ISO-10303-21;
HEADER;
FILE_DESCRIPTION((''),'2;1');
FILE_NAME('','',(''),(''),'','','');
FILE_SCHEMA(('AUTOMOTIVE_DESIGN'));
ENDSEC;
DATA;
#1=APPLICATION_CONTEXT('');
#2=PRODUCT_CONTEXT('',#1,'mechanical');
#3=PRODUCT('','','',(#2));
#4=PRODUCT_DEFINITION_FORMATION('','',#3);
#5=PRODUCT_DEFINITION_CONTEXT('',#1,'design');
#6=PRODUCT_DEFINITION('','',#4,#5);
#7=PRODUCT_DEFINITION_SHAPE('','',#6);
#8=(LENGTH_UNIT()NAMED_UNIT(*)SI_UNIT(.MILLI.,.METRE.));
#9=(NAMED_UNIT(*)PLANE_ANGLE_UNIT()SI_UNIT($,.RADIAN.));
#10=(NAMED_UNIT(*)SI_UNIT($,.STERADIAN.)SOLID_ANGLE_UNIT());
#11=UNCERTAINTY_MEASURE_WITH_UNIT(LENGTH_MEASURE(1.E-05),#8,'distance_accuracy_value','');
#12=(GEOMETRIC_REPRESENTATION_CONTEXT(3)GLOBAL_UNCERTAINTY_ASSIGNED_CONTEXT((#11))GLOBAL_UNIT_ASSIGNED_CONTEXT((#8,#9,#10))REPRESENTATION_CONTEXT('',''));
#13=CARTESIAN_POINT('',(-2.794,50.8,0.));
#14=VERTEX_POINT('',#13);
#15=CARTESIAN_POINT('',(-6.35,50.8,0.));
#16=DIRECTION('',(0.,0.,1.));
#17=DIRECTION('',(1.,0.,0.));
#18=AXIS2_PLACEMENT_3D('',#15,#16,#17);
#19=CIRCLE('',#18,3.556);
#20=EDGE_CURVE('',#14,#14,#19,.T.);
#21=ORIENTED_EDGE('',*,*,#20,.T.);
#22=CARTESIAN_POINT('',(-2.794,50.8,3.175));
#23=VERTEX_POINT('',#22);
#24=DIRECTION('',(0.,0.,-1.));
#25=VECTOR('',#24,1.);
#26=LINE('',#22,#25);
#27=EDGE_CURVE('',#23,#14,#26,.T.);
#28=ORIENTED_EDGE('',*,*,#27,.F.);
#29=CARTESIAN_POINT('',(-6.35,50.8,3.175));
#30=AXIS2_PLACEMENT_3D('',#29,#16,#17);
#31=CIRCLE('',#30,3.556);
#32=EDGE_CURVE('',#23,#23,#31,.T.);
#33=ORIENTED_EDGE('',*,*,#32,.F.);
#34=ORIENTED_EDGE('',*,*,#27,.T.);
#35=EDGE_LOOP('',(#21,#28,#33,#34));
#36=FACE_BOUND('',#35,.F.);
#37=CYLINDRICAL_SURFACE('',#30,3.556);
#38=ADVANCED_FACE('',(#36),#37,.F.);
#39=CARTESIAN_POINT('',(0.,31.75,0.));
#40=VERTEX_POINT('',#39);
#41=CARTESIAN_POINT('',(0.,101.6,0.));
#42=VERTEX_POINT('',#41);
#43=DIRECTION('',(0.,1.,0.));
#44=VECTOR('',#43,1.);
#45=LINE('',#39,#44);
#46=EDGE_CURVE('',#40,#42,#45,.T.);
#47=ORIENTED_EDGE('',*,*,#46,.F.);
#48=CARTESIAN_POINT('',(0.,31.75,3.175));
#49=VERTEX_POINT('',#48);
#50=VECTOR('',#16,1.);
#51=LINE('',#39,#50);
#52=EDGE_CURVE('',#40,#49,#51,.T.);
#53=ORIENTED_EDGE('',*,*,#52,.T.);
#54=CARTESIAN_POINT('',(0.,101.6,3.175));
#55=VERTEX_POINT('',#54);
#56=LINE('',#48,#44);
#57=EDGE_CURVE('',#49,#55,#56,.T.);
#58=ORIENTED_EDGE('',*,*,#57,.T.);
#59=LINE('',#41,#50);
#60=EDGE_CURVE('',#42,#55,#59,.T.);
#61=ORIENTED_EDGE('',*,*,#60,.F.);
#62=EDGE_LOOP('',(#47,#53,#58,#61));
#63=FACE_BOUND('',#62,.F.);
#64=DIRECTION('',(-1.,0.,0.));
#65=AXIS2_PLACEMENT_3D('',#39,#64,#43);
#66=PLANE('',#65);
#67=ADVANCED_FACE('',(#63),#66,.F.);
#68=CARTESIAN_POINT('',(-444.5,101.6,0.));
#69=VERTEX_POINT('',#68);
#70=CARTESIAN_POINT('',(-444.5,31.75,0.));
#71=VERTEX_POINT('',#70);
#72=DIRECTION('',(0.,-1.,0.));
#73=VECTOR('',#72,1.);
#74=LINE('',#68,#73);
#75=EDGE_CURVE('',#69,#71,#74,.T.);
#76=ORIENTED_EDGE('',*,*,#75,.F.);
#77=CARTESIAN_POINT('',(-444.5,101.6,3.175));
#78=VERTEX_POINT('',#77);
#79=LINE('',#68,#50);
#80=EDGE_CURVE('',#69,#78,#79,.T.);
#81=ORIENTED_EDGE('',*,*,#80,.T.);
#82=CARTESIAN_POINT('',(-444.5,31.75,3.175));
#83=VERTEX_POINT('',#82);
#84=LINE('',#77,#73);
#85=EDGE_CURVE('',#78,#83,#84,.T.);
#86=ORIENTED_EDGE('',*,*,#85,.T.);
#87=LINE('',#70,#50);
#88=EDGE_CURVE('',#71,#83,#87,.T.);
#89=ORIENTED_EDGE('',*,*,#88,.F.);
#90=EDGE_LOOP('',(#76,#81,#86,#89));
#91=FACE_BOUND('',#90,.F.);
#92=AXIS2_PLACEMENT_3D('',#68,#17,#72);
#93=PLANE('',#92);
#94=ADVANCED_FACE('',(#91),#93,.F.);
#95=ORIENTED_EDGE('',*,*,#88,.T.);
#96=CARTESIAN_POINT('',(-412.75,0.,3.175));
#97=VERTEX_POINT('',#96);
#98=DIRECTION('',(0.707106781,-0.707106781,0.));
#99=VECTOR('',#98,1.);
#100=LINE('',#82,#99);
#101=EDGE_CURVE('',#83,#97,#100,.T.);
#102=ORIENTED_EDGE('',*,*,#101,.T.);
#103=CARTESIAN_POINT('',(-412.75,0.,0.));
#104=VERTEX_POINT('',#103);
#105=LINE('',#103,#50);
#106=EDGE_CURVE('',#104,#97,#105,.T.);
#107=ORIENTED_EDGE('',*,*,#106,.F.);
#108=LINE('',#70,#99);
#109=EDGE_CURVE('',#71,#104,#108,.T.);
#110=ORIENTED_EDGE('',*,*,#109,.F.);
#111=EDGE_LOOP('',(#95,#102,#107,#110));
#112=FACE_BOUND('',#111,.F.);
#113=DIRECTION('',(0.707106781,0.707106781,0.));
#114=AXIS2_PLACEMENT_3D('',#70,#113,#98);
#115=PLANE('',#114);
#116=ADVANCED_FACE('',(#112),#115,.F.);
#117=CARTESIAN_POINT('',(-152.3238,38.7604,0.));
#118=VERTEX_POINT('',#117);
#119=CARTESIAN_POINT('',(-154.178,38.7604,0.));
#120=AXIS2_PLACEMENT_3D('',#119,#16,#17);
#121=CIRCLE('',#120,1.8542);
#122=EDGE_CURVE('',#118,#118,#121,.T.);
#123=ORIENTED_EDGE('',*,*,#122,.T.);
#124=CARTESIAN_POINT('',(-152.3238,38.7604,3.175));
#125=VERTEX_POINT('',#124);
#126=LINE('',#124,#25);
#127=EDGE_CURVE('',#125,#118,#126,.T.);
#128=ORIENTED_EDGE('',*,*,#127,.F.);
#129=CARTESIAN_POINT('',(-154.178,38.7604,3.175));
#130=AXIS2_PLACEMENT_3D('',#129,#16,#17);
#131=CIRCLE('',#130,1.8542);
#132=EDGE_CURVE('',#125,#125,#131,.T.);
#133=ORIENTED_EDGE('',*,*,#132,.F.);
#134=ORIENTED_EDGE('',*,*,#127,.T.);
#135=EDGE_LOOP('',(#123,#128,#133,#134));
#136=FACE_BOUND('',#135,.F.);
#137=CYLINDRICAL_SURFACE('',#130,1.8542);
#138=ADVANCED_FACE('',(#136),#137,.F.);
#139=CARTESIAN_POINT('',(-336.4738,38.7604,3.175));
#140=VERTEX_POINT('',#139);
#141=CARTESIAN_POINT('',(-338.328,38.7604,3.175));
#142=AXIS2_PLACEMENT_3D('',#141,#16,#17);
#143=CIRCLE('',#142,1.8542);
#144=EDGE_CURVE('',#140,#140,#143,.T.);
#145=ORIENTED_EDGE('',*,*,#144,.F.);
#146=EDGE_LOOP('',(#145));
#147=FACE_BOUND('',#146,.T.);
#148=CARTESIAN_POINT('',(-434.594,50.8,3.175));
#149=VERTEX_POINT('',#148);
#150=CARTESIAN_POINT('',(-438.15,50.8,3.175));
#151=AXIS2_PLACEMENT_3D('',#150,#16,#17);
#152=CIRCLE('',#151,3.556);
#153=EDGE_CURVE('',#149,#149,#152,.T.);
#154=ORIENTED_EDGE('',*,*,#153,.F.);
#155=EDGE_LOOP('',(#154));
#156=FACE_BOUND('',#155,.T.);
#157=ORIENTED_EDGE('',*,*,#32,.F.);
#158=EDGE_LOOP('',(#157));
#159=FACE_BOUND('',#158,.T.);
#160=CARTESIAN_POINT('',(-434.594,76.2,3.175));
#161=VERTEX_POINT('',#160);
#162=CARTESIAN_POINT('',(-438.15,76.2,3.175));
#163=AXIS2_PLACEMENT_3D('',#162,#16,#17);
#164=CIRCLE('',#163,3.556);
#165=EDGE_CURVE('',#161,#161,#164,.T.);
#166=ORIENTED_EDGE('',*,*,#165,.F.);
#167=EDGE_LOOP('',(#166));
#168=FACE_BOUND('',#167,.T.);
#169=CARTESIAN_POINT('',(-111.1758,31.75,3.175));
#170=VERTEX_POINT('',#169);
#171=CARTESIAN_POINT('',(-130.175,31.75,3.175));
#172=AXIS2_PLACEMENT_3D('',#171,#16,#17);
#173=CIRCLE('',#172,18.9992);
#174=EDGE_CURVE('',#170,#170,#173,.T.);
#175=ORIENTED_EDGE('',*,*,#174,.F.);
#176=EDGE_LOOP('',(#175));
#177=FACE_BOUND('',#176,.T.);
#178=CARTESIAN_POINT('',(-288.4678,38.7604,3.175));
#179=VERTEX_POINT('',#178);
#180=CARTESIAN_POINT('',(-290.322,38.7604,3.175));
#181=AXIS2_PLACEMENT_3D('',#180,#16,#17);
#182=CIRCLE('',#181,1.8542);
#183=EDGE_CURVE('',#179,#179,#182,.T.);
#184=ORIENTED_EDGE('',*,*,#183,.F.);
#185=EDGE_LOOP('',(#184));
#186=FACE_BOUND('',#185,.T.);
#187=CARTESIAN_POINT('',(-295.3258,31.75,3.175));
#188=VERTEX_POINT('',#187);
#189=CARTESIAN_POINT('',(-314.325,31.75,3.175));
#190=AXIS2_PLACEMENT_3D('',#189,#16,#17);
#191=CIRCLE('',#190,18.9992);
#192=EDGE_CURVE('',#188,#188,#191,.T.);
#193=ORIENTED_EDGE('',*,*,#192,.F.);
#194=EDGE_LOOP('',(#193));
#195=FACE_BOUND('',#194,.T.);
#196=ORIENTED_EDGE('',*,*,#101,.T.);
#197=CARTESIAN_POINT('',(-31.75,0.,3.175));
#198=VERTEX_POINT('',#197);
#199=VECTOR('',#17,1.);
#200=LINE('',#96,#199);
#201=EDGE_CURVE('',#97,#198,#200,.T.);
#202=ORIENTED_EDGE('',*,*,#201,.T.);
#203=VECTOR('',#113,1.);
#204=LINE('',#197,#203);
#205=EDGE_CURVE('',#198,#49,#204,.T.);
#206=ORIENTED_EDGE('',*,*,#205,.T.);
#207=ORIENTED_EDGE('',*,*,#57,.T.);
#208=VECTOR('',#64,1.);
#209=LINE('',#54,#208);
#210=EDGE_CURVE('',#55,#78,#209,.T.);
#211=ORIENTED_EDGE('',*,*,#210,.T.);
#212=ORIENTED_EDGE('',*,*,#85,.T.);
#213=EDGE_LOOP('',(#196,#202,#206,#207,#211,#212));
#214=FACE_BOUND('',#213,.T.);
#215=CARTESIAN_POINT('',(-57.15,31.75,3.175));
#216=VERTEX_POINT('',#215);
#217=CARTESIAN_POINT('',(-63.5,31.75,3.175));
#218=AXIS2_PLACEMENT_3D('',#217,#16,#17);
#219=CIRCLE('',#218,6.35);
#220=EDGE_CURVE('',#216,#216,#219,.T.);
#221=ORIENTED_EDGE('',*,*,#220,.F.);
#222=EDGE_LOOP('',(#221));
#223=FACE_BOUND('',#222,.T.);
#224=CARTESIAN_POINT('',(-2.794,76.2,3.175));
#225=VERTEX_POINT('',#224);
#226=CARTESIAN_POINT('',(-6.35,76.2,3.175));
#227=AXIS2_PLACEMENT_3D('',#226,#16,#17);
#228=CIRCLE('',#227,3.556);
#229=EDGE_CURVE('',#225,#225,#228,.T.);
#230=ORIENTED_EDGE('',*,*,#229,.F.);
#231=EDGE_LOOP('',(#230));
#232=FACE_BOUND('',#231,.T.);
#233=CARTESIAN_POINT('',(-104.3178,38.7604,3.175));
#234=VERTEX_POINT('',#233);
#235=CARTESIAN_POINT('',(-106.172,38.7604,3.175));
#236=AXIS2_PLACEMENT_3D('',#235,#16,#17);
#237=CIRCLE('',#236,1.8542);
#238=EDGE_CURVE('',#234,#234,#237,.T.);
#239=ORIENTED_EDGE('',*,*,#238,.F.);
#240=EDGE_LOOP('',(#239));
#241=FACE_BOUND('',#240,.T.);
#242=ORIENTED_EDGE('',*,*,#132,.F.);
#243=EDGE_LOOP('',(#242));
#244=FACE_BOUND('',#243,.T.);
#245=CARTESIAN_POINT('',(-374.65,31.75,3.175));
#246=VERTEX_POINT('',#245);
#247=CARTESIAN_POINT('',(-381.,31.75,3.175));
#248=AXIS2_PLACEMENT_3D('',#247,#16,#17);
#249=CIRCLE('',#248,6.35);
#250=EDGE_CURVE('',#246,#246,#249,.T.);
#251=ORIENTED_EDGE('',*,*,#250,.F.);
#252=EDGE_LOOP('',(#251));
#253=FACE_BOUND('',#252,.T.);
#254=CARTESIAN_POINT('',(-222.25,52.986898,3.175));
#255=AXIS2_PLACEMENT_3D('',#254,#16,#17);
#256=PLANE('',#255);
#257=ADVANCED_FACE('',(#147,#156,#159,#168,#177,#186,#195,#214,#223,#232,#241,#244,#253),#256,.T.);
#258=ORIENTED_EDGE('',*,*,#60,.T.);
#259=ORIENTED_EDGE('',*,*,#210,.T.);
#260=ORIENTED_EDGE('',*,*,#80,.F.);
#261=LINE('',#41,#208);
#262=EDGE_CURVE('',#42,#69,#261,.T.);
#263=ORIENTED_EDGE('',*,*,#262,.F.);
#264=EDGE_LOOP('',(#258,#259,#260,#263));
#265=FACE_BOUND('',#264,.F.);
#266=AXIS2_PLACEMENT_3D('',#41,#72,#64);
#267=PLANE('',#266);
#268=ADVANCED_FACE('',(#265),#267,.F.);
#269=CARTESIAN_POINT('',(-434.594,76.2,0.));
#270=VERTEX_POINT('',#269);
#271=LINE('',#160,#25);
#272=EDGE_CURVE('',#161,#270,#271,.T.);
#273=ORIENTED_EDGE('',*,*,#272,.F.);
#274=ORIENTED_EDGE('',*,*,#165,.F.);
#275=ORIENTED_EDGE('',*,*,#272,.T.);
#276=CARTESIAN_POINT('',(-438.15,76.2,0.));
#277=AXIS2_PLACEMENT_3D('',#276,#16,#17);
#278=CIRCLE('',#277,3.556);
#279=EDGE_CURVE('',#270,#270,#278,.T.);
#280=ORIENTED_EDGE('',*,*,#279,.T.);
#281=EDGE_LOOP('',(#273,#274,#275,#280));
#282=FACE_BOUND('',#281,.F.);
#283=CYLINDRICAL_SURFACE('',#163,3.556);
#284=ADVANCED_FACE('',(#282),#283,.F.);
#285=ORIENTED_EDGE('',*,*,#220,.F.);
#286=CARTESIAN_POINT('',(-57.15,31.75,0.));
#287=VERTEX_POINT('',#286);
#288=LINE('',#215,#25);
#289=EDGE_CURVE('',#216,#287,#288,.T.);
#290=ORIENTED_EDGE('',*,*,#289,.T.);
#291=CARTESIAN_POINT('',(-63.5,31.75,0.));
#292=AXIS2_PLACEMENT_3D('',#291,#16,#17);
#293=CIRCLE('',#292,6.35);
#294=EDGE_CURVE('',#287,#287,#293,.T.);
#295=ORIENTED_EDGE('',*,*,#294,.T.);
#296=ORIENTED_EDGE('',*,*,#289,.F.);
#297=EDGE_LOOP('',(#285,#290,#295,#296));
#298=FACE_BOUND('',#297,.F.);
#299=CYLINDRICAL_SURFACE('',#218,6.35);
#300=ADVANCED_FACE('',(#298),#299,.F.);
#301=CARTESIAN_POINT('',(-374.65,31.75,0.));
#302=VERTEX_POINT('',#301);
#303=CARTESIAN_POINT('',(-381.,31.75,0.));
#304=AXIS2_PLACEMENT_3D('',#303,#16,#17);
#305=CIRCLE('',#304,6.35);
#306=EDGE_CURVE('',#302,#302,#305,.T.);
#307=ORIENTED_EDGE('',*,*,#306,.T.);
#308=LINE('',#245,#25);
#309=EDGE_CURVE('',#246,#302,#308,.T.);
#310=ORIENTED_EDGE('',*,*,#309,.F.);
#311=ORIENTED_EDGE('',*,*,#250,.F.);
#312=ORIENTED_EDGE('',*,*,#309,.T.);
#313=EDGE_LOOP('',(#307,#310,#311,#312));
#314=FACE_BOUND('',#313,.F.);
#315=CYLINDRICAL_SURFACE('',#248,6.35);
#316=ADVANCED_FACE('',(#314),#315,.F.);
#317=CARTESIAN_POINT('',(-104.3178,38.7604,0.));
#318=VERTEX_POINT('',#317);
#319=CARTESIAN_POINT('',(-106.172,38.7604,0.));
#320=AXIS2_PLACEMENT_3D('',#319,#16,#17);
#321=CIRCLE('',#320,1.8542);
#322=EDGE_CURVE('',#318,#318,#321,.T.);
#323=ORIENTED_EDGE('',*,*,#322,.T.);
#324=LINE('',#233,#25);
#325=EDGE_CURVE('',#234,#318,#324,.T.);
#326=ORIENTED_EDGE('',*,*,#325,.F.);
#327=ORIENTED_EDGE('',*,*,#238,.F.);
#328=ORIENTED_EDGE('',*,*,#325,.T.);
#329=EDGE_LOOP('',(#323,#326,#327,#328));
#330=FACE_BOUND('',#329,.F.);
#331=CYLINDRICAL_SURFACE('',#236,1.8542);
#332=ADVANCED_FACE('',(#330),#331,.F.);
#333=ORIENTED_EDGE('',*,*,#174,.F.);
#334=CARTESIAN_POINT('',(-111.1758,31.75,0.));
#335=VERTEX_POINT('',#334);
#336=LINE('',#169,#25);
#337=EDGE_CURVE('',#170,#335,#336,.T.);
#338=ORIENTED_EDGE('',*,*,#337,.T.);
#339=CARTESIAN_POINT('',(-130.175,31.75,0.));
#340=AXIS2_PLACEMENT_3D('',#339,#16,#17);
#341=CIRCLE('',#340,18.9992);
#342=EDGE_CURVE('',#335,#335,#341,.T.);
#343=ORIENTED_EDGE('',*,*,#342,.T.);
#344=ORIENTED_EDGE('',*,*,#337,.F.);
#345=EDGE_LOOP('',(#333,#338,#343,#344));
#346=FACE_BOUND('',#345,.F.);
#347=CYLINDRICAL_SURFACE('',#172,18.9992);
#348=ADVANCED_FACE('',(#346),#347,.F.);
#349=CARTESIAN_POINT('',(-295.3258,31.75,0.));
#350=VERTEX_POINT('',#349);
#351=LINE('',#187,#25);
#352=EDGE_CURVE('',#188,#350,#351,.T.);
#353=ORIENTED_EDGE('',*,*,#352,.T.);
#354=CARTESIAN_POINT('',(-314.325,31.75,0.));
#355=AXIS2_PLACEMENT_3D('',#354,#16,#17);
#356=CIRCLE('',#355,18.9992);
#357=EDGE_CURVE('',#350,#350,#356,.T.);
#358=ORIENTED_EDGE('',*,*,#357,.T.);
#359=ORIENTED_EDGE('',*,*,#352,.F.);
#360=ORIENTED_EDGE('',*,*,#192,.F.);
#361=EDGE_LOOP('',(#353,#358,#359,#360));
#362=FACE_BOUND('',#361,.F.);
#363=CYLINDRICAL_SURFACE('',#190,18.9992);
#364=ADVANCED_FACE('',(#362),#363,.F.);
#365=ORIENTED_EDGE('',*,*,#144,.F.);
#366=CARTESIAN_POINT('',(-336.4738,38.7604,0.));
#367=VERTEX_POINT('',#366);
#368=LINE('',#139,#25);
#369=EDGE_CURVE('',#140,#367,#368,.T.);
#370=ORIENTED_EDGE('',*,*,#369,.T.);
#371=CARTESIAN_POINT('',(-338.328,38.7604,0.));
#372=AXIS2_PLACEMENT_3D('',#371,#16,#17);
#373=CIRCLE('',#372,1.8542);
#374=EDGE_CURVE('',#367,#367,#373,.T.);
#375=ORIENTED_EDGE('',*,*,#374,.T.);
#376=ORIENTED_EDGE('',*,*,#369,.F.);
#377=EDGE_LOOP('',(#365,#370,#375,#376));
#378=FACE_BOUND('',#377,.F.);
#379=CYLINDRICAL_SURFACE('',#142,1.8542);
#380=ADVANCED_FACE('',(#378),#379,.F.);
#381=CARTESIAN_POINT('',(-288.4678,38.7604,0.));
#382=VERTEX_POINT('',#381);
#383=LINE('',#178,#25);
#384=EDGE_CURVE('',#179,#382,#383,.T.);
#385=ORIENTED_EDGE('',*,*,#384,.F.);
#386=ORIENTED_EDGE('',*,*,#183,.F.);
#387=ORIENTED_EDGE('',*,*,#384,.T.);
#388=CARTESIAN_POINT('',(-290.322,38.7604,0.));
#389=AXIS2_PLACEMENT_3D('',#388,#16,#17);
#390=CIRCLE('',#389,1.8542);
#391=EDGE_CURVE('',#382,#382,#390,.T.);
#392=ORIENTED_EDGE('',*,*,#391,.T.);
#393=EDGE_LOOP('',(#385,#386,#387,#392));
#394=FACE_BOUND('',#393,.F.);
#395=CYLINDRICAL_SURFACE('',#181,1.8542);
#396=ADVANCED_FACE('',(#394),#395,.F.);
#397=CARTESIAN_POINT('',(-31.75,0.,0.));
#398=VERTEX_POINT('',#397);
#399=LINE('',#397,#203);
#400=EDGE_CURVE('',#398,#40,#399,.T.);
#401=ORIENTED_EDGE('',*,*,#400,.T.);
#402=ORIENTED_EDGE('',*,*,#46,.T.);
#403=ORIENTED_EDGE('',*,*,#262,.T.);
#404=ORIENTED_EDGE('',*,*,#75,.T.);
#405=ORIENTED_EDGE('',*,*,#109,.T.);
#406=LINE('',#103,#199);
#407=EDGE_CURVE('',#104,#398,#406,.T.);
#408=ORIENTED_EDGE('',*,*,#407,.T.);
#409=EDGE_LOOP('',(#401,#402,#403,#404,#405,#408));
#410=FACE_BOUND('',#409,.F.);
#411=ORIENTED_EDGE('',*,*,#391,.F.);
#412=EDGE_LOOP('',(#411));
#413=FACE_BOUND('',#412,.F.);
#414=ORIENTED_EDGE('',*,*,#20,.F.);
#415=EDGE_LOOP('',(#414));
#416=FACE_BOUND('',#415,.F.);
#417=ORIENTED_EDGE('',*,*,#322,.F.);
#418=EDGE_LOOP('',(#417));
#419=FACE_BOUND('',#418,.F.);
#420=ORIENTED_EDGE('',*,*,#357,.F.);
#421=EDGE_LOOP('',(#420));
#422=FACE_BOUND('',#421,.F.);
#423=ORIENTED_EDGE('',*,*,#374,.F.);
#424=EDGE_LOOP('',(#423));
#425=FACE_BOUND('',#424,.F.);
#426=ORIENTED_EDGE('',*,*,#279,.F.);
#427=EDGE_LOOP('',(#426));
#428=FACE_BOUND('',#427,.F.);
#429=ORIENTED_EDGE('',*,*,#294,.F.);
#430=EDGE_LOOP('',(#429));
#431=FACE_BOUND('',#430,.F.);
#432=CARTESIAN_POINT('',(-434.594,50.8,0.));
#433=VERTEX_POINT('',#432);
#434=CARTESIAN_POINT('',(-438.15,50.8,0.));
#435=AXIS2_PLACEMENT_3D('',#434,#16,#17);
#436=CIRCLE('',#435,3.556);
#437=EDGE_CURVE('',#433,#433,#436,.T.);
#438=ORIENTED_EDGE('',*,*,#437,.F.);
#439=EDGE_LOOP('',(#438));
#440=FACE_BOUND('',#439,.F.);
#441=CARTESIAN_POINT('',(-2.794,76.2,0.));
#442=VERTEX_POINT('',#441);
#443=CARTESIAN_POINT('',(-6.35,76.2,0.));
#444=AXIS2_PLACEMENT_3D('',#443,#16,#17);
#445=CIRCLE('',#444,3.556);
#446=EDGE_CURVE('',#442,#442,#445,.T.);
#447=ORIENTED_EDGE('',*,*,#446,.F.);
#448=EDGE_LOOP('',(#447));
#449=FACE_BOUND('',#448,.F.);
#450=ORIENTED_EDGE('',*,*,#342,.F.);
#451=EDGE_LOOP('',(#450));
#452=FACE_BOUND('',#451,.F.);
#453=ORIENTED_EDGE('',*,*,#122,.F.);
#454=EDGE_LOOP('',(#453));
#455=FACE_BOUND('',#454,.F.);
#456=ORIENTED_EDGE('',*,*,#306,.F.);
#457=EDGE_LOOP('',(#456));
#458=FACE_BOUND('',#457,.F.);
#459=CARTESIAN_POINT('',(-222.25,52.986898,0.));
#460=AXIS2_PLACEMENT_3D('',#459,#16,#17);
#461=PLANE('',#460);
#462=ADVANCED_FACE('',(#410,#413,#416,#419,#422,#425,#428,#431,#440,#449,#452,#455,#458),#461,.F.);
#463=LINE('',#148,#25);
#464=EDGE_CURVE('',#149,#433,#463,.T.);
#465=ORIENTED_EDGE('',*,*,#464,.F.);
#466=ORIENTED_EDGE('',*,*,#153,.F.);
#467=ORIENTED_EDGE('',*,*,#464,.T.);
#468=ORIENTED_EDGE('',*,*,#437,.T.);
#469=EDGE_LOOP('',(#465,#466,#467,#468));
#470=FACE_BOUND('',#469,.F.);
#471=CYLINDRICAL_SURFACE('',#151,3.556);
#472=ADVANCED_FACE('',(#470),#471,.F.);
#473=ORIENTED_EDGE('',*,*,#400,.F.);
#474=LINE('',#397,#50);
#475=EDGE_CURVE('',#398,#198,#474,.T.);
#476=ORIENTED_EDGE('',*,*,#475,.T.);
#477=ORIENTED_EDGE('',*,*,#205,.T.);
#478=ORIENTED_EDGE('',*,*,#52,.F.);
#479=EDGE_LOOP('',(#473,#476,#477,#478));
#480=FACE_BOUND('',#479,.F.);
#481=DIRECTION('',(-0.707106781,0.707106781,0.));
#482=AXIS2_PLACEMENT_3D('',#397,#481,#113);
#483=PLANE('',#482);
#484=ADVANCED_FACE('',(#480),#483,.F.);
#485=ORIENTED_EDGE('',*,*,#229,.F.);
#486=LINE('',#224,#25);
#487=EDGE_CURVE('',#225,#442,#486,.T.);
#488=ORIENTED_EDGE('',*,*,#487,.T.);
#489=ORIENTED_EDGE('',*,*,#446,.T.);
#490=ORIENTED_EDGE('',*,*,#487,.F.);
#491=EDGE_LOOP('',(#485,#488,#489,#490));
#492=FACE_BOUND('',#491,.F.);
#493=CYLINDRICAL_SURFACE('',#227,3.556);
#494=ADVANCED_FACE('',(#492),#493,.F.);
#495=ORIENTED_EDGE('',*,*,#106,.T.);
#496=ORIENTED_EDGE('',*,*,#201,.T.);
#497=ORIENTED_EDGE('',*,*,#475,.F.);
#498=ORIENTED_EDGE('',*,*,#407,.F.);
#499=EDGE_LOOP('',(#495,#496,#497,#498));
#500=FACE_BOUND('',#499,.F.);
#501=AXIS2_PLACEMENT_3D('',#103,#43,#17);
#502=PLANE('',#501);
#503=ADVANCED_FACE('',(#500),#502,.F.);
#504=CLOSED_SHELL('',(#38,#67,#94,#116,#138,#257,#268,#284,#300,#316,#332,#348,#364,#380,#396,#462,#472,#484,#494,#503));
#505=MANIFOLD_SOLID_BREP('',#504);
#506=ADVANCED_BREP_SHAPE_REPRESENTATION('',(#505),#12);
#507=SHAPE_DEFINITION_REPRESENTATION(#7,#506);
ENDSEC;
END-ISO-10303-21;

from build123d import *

# Parameters (mm, degrees)
F1_DEPTH  = 3.175
F2_R      = 3.556
F3_DEPTH  = 25.4
F4_DEPTH  = 25.4
F2_R_2    = 6.35
F5_DEPTH  = 25.4
F6_DEPTH  = 25.4
F7_DEPTH  = 25.4
F8_DEPTH  = 25.4
F9_R      = 18.9992
F9_R_2    = 1.8542
F10_DEPTH = 25.4


with BuildPart() as f1:
    # F0 (on Top) → F1 (new body)
    with BuildSketch(Plane.XY):
        Polygon((0, 31.75), (0, 101.6), (-444.5, 101.6), (-444.5, 31.75), (-412.75, 0), (-31.75, 0), align=None)
    extrude(amount=F1_DEPTH)

    # F2 (on face) → F3 (cut)
    with BuildSketch(Plane.XY.offset(3.175)):
        with Locations((-438.15, 50.8)):
            Circle(F2_R)
    extrude(amount=-F3_DEPTH, mode=Mode.SUBTRACT)

    # F2 (on face) → F4 (cut)
    with BuildSketch(Plane.XY.offset(3.175)):
        with Locations((-438.15, 76.2)):
            Circle(F2_R)
    extrude(amount=-F4_DEPTH, mode=Mode.SUBTRACT)

    # F2 (on face) → F5 (cut)
    with BuildSketch(Plane.XY.offset(3.175)):
        with Locations((-381, 31.75)):
            Circle(F2_R_2)
    extrude(amount=-F5_DEPTH, mode=Mode.SUBTRACT)

    # F2 (on face) → F6 (cut)
    with BuildSketch(Plane.XY.offset(3.175)):
        with Locations((-63.5, 31.75)):
            Circle(F2_R_2)
    extrude(amount=-F6_DEPTH, mode=Mode.SUBTRACT)

    # F2 (on face) → F7 (cut)
    with BuildSketch(Plane.XY.offset(3.175)):
        with Locations((-6.35, 76.2)):
            Circle(F2_R)
    extrude(amount=-F7_DEPTH, mode=Mode.SUBTRACT)

    # F2 (on face) → F8 (cut)
    with BuildSketch(Plane.XY.offset(3.175)):
        with Locations((-6.35, 50.8)):
            Circle(F2_R)
    extrude(amount=-F8_DEPTH, mode=Mode.SUBTRACT)

    # F9 (on face) → F10 (cut)
    with BuildSketch(Plane.XY.offset(3.175)):
        with Locations((-314.325, 31.75)):
            Circle(F9_R)
        with Locations((-338.328, 38.7604)):
            Circle(F9_R_2)
        with Locations((-290.322, 38.7604)):
            Circle(F9_R_2)
        with Locations((-130.175, 31.75)):
            Circle(F9_R)
        with Locations((-154.178, 38.7604)):
            Circle(F9_R_2)
        with Locations((-106.172, 38.7604)):
            Circle(F9_R_2)
    extrude(amount=-F10_DEPTH, mode=Mode.SUBTRACT)


solid = f1.part
